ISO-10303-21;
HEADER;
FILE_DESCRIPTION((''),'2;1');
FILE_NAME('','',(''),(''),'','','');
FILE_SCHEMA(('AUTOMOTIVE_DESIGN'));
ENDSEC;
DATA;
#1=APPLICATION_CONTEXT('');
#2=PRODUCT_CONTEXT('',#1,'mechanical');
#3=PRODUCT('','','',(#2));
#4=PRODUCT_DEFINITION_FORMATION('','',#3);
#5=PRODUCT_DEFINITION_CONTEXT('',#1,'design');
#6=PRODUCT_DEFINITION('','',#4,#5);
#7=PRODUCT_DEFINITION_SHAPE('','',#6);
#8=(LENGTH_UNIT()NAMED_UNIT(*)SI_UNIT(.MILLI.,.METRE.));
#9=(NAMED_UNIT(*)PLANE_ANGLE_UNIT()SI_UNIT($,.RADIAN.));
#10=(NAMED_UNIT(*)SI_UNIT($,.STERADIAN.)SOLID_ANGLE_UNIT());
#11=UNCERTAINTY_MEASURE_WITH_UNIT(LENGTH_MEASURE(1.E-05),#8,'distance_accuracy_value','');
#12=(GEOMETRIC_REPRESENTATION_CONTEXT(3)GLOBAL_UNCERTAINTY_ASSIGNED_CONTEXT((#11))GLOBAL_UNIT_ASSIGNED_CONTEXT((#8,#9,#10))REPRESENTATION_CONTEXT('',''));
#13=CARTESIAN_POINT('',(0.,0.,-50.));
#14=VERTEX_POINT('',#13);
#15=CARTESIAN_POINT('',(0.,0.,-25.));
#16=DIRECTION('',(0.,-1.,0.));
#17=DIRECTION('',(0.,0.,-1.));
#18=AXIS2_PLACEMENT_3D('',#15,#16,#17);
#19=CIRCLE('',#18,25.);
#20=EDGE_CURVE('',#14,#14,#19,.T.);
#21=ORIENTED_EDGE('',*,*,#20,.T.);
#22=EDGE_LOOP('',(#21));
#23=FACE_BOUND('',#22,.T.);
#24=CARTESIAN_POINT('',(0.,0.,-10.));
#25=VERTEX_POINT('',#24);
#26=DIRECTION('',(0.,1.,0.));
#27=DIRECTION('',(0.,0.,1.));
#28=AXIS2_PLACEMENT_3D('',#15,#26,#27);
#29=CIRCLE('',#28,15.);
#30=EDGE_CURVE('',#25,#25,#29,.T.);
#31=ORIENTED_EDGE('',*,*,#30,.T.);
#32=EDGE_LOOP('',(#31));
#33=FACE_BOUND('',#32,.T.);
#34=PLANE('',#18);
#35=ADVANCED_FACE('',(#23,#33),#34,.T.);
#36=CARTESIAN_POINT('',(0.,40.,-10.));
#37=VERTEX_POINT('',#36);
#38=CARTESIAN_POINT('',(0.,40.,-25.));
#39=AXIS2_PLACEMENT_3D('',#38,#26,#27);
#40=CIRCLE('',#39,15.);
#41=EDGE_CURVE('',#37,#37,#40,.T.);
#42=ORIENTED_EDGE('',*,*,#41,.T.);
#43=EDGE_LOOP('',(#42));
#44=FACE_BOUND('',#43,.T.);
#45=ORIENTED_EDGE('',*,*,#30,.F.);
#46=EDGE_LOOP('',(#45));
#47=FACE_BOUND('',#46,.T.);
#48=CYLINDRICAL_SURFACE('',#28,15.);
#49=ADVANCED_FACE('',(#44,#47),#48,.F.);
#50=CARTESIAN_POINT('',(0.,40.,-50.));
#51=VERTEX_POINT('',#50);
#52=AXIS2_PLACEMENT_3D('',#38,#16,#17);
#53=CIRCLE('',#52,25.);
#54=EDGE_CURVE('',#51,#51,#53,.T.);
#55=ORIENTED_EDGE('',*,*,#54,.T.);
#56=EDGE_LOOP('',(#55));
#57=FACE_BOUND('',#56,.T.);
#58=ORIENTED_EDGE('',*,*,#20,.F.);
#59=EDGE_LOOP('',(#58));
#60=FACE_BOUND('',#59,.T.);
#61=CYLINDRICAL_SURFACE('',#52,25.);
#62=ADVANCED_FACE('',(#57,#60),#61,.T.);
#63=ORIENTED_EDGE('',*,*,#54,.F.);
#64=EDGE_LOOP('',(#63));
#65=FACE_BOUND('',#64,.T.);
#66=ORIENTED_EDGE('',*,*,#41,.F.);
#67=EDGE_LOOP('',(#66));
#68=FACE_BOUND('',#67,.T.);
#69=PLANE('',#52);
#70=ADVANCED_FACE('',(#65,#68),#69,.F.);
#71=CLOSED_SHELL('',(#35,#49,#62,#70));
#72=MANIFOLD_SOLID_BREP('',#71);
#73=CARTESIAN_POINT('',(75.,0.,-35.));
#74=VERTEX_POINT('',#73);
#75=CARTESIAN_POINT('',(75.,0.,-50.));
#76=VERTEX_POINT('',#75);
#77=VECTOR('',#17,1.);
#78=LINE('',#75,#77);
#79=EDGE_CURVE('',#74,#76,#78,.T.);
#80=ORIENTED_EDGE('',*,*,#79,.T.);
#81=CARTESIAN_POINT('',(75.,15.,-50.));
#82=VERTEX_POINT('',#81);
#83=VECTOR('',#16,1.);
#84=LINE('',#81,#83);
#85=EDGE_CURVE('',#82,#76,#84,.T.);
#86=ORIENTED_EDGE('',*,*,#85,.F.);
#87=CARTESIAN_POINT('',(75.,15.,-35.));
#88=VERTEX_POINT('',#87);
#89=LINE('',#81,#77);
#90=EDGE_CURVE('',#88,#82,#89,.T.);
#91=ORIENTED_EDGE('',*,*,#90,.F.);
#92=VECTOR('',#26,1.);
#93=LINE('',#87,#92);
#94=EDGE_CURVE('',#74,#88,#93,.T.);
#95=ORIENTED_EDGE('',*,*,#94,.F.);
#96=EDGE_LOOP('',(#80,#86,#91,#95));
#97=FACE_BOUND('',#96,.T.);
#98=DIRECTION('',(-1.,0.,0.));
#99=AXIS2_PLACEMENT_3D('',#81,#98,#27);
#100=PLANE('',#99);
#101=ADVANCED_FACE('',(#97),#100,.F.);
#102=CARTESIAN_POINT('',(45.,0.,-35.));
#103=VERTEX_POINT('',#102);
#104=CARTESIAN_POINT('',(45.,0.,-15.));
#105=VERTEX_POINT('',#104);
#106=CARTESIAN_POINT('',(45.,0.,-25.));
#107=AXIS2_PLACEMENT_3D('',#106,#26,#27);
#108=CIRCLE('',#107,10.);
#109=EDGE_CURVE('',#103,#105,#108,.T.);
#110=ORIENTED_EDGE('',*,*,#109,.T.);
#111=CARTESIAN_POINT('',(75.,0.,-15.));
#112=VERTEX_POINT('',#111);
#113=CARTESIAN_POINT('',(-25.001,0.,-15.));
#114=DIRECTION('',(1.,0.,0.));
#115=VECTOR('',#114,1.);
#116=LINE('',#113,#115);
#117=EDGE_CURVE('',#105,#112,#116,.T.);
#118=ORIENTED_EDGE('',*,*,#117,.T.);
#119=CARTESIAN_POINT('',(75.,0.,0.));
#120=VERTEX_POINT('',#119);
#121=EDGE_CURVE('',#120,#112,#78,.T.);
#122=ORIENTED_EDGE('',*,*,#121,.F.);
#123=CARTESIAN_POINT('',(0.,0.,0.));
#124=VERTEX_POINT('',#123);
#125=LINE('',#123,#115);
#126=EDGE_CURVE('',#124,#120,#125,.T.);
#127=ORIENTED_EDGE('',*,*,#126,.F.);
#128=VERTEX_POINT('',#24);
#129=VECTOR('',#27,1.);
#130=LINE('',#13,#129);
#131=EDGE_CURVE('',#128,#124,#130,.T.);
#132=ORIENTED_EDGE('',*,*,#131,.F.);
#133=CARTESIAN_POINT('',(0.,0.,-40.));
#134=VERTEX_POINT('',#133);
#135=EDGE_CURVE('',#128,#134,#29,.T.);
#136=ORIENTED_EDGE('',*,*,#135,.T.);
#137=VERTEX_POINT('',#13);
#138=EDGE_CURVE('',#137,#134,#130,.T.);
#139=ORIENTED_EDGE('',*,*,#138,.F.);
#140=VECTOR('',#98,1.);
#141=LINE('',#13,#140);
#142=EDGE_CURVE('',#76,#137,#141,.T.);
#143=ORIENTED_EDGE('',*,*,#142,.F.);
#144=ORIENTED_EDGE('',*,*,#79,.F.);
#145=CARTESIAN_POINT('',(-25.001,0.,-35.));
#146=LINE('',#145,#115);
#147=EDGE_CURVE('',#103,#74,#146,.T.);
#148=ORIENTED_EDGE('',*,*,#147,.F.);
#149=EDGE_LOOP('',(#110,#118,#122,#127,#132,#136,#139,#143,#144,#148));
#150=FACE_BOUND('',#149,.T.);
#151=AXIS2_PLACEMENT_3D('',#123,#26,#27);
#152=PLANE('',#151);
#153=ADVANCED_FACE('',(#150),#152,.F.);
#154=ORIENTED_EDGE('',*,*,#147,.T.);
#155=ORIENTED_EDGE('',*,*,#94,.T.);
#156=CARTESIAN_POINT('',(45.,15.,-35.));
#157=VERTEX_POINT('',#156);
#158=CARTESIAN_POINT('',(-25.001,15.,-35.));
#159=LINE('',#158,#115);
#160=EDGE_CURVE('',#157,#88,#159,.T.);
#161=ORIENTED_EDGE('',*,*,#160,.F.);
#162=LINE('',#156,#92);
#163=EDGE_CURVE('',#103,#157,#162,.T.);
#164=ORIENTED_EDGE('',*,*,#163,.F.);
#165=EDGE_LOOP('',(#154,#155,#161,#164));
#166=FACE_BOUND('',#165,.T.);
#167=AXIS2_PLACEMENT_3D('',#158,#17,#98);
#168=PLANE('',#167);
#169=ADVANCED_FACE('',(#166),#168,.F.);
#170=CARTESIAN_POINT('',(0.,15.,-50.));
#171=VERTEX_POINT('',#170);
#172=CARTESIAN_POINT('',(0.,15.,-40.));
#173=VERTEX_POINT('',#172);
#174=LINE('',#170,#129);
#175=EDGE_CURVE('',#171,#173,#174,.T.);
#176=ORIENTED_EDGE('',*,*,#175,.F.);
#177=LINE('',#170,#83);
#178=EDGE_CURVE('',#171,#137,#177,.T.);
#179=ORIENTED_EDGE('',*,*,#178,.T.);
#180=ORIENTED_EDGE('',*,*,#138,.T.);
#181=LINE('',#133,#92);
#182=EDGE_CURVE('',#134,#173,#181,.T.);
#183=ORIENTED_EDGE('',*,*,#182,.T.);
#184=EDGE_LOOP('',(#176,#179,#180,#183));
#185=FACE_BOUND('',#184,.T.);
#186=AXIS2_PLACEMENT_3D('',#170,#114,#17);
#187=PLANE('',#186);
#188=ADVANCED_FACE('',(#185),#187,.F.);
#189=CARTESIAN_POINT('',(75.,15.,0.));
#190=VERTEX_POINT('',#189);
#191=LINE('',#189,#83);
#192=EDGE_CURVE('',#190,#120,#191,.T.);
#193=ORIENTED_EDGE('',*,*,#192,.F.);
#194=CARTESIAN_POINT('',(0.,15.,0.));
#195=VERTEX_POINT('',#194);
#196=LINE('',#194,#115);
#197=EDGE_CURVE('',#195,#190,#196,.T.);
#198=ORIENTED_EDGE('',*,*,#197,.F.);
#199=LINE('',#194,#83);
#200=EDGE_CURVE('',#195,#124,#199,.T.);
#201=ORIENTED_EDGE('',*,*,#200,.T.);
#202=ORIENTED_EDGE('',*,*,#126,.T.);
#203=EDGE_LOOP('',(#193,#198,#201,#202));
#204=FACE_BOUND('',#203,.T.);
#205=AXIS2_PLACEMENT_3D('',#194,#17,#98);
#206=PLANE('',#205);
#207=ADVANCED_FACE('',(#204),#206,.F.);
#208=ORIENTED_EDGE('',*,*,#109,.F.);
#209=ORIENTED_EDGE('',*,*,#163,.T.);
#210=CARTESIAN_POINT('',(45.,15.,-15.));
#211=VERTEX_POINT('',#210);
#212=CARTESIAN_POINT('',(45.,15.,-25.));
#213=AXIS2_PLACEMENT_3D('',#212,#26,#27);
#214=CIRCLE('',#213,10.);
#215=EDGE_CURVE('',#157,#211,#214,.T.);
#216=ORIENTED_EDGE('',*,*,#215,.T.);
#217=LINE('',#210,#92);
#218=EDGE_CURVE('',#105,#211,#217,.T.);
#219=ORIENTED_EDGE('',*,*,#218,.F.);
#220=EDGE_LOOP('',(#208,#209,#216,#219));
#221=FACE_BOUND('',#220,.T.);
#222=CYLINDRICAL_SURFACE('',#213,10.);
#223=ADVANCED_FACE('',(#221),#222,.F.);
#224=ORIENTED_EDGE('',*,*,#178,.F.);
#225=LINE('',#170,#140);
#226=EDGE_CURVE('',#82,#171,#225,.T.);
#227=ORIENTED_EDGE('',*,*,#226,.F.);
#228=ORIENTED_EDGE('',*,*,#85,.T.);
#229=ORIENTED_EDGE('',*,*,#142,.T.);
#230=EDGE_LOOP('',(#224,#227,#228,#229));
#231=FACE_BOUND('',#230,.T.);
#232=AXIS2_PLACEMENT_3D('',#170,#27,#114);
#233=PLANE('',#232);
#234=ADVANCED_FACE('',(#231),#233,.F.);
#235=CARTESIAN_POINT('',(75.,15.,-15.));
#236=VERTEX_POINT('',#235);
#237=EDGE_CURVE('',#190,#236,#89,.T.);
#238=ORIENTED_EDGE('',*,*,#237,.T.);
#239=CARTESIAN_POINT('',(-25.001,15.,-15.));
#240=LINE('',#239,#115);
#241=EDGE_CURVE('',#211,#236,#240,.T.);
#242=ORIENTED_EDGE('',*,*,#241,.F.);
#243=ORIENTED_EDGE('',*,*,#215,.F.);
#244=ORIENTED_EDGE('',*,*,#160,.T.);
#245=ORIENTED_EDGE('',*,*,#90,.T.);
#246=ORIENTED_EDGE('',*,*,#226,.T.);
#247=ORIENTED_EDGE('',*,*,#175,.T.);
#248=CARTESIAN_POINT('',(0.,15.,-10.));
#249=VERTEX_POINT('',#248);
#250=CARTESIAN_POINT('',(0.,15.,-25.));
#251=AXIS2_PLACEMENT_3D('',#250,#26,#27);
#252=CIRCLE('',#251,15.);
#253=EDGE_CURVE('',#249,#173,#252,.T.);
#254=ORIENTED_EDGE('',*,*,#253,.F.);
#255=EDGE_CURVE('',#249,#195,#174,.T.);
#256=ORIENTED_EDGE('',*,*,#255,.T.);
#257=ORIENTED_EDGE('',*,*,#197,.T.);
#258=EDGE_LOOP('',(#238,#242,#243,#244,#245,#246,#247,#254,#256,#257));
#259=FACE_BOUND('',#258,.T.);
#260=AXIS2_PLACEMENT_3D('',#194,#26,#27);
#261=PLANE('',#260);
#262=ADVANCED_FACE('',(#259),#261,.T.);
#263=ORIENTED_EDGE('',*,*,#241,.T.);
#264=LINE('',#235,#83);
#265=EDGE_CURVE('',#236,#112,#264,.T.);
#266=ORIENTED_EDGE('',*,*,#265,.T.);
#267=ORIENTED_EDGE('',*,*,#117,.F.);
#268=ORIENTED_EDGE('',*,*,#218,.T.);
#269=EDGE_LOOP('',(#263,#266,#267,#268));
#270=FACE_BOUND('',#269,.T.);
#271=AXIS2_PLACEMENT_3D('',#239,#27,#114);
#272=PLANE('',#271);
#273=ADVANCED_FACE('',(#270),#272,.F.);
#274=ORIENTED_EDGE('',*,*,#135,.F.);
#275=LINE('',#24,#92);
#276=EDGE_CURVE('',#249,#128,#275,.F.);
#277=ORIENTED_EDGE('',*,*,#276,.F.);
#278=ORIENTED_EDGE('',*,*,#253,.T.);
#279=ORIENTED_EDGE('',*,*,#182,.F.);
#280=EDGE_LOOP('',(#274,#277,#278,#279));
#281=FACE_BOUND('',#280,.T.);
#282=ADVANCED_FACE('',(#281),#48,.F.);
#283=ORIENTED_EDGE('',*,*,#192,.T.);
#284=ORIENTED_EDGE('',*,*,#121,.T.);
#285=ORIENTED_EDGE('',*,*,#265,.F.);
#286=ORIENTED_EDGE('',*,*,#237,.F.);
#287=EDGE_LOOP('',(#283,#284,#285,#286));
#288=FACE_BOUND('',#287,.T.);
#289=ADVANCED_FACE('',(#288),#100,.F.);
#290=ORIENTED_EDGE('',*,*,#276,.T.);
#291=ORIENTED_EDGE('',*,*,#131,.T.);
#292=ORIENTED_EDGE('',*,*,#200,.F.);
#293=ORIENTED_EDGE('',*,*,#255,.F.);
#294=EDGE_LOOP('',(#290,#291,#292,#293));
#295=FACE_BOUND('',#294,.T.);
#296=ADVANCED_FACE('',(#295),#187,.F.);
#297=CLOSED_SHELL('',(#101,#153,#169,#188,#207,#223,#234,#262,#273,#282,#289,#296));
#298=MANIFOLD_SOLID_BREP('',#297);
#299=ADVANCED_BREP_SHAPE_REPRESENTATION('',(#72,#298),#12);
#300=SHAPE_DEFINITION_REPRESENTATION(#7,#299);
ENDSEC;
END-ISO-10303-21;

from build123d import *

# Parameters (mm, degrees)
SKETCH1_W               = 75
SKETCH1_H               = 50
BOSS_EXTRUDE1_DEPTH     = 15
SKETCH2_R               = 25
BOSS_EXTRUDE2_DEPTH     = 40
SKETCH3_R               = 15
CUT_EXTRUDE1_DEPTH      = 99.615414617
SKETCH5_W               = 10
SKETCH5_H               = 15
CUT_EXTRUDE2_REACH      = 120.743
CUT_EXTRUDE2_END_RADIUS = 10
SKETCH7_W               = 20
SKETCH7_H               = 15


with BuildPart() as part:
    # Sketch1 → Boss-Extrude1 (new body)
    with BuildSketch(Plane(origin=(0, 0, 0), x_dir=(1, 0, 0), z_dir=(0, 1, 0))):
        with Locations((37.5, 25)):
            Rectangle(SKETCH1_W, SKETCH1_H)
    extrude(amount=BOSS_EXTRUDE1_DEPTH)


with BuildPart() as body_2:
    # Sketch2 → Boss-Extrude2 (new body)
    with BuildSketch(Plane.XZ):
        with Locations(Location((0, -25, 0), (0, 0, 270))):
            Circle(SKETCH2_R)
    extrude(amount=-BOSS_EXTRUDE2_DEPTH)


with BuildPart() as cut_extrude1_tool:
    # Sketch3 → Cut-Extrude1 (new, through all)
    with BuildSketch(Plane(origin=(0, 40, 0), x_dir=(1, 0, 0), z_dir=(0, 1, 0))):
        with Locations(Location((0, 25, 0), (0, 0, 270))):
            Circle(SKETCH3_R)
    extrude(amount=-CUT_EXTRUDE1_DEPTH)


with BuildPart() as part_1:
    add(part.part)

    # Cut-Extrude1: cut by cut_extrude1_tool
    add(cut_extrude1_tool.part, mode=Mode.SUBTRACT)

    # Sketch5 → Ø20.0 (20) Diameter Hole1 (revolve, cut)
    with BuildSketch(Plane(origin=(45, 15, -25), x_dir=(0, 0, 1), z_dir=(1, 0, 0))):
        with Locations((5, 7.5)):
            Rectangle(SKETCH5_W, SKETCH5_H)
    revolve(axis=Axis((45, 21.35, -25), (0, -1, 0)), mode=Mode.SUBTRACT)

    # Cut-Extrude2: up to this cylinder (the profile starts outside it)
    cut_extrude2_end = Plane(origin=(45, 7.5, -25), z_dir=(0, 1, 0)) * Cylinder(CUT_EXTRUDE2_END_RADIUS, 262.486, mode=Mode.PRIVATE)
    # Sketch7 → Cut-Extrude2 (cut, up to the surface)
    with BuildSketch(Plane(origin=(75, 0, 0), x_dir=(0, 0, -1), z_dir=(1, 0, 0)), mode=Mode.PRIVATE) as cut_extrude2_sk1:
        with Locations((25, 7.5)):
            Rectangle(SKETCH7_W, SKETCH7_H)
    cut_extrude2_tool1 = extrude(cut_extrude2_sk1.sketch, amount=-CUT_EXTRUDE2_REACH, mode=Mode.PRIVATE) - cut_extrude2_end
    add(cut_extrude2_tool1.solids().sort_by_distance((75, 7.5, -25))[0], mode=Mode.SUBTRACT)


with BuildPart() as body_2_1:
    add(body_2.part)

    # Cut-Extrude1: cut by cut_extrude1_tool
    add(cut_extrude1_tool.part, mode=Mode.SUBTRACT)


solid = Compound([part_1.part, body_2_1.part])
